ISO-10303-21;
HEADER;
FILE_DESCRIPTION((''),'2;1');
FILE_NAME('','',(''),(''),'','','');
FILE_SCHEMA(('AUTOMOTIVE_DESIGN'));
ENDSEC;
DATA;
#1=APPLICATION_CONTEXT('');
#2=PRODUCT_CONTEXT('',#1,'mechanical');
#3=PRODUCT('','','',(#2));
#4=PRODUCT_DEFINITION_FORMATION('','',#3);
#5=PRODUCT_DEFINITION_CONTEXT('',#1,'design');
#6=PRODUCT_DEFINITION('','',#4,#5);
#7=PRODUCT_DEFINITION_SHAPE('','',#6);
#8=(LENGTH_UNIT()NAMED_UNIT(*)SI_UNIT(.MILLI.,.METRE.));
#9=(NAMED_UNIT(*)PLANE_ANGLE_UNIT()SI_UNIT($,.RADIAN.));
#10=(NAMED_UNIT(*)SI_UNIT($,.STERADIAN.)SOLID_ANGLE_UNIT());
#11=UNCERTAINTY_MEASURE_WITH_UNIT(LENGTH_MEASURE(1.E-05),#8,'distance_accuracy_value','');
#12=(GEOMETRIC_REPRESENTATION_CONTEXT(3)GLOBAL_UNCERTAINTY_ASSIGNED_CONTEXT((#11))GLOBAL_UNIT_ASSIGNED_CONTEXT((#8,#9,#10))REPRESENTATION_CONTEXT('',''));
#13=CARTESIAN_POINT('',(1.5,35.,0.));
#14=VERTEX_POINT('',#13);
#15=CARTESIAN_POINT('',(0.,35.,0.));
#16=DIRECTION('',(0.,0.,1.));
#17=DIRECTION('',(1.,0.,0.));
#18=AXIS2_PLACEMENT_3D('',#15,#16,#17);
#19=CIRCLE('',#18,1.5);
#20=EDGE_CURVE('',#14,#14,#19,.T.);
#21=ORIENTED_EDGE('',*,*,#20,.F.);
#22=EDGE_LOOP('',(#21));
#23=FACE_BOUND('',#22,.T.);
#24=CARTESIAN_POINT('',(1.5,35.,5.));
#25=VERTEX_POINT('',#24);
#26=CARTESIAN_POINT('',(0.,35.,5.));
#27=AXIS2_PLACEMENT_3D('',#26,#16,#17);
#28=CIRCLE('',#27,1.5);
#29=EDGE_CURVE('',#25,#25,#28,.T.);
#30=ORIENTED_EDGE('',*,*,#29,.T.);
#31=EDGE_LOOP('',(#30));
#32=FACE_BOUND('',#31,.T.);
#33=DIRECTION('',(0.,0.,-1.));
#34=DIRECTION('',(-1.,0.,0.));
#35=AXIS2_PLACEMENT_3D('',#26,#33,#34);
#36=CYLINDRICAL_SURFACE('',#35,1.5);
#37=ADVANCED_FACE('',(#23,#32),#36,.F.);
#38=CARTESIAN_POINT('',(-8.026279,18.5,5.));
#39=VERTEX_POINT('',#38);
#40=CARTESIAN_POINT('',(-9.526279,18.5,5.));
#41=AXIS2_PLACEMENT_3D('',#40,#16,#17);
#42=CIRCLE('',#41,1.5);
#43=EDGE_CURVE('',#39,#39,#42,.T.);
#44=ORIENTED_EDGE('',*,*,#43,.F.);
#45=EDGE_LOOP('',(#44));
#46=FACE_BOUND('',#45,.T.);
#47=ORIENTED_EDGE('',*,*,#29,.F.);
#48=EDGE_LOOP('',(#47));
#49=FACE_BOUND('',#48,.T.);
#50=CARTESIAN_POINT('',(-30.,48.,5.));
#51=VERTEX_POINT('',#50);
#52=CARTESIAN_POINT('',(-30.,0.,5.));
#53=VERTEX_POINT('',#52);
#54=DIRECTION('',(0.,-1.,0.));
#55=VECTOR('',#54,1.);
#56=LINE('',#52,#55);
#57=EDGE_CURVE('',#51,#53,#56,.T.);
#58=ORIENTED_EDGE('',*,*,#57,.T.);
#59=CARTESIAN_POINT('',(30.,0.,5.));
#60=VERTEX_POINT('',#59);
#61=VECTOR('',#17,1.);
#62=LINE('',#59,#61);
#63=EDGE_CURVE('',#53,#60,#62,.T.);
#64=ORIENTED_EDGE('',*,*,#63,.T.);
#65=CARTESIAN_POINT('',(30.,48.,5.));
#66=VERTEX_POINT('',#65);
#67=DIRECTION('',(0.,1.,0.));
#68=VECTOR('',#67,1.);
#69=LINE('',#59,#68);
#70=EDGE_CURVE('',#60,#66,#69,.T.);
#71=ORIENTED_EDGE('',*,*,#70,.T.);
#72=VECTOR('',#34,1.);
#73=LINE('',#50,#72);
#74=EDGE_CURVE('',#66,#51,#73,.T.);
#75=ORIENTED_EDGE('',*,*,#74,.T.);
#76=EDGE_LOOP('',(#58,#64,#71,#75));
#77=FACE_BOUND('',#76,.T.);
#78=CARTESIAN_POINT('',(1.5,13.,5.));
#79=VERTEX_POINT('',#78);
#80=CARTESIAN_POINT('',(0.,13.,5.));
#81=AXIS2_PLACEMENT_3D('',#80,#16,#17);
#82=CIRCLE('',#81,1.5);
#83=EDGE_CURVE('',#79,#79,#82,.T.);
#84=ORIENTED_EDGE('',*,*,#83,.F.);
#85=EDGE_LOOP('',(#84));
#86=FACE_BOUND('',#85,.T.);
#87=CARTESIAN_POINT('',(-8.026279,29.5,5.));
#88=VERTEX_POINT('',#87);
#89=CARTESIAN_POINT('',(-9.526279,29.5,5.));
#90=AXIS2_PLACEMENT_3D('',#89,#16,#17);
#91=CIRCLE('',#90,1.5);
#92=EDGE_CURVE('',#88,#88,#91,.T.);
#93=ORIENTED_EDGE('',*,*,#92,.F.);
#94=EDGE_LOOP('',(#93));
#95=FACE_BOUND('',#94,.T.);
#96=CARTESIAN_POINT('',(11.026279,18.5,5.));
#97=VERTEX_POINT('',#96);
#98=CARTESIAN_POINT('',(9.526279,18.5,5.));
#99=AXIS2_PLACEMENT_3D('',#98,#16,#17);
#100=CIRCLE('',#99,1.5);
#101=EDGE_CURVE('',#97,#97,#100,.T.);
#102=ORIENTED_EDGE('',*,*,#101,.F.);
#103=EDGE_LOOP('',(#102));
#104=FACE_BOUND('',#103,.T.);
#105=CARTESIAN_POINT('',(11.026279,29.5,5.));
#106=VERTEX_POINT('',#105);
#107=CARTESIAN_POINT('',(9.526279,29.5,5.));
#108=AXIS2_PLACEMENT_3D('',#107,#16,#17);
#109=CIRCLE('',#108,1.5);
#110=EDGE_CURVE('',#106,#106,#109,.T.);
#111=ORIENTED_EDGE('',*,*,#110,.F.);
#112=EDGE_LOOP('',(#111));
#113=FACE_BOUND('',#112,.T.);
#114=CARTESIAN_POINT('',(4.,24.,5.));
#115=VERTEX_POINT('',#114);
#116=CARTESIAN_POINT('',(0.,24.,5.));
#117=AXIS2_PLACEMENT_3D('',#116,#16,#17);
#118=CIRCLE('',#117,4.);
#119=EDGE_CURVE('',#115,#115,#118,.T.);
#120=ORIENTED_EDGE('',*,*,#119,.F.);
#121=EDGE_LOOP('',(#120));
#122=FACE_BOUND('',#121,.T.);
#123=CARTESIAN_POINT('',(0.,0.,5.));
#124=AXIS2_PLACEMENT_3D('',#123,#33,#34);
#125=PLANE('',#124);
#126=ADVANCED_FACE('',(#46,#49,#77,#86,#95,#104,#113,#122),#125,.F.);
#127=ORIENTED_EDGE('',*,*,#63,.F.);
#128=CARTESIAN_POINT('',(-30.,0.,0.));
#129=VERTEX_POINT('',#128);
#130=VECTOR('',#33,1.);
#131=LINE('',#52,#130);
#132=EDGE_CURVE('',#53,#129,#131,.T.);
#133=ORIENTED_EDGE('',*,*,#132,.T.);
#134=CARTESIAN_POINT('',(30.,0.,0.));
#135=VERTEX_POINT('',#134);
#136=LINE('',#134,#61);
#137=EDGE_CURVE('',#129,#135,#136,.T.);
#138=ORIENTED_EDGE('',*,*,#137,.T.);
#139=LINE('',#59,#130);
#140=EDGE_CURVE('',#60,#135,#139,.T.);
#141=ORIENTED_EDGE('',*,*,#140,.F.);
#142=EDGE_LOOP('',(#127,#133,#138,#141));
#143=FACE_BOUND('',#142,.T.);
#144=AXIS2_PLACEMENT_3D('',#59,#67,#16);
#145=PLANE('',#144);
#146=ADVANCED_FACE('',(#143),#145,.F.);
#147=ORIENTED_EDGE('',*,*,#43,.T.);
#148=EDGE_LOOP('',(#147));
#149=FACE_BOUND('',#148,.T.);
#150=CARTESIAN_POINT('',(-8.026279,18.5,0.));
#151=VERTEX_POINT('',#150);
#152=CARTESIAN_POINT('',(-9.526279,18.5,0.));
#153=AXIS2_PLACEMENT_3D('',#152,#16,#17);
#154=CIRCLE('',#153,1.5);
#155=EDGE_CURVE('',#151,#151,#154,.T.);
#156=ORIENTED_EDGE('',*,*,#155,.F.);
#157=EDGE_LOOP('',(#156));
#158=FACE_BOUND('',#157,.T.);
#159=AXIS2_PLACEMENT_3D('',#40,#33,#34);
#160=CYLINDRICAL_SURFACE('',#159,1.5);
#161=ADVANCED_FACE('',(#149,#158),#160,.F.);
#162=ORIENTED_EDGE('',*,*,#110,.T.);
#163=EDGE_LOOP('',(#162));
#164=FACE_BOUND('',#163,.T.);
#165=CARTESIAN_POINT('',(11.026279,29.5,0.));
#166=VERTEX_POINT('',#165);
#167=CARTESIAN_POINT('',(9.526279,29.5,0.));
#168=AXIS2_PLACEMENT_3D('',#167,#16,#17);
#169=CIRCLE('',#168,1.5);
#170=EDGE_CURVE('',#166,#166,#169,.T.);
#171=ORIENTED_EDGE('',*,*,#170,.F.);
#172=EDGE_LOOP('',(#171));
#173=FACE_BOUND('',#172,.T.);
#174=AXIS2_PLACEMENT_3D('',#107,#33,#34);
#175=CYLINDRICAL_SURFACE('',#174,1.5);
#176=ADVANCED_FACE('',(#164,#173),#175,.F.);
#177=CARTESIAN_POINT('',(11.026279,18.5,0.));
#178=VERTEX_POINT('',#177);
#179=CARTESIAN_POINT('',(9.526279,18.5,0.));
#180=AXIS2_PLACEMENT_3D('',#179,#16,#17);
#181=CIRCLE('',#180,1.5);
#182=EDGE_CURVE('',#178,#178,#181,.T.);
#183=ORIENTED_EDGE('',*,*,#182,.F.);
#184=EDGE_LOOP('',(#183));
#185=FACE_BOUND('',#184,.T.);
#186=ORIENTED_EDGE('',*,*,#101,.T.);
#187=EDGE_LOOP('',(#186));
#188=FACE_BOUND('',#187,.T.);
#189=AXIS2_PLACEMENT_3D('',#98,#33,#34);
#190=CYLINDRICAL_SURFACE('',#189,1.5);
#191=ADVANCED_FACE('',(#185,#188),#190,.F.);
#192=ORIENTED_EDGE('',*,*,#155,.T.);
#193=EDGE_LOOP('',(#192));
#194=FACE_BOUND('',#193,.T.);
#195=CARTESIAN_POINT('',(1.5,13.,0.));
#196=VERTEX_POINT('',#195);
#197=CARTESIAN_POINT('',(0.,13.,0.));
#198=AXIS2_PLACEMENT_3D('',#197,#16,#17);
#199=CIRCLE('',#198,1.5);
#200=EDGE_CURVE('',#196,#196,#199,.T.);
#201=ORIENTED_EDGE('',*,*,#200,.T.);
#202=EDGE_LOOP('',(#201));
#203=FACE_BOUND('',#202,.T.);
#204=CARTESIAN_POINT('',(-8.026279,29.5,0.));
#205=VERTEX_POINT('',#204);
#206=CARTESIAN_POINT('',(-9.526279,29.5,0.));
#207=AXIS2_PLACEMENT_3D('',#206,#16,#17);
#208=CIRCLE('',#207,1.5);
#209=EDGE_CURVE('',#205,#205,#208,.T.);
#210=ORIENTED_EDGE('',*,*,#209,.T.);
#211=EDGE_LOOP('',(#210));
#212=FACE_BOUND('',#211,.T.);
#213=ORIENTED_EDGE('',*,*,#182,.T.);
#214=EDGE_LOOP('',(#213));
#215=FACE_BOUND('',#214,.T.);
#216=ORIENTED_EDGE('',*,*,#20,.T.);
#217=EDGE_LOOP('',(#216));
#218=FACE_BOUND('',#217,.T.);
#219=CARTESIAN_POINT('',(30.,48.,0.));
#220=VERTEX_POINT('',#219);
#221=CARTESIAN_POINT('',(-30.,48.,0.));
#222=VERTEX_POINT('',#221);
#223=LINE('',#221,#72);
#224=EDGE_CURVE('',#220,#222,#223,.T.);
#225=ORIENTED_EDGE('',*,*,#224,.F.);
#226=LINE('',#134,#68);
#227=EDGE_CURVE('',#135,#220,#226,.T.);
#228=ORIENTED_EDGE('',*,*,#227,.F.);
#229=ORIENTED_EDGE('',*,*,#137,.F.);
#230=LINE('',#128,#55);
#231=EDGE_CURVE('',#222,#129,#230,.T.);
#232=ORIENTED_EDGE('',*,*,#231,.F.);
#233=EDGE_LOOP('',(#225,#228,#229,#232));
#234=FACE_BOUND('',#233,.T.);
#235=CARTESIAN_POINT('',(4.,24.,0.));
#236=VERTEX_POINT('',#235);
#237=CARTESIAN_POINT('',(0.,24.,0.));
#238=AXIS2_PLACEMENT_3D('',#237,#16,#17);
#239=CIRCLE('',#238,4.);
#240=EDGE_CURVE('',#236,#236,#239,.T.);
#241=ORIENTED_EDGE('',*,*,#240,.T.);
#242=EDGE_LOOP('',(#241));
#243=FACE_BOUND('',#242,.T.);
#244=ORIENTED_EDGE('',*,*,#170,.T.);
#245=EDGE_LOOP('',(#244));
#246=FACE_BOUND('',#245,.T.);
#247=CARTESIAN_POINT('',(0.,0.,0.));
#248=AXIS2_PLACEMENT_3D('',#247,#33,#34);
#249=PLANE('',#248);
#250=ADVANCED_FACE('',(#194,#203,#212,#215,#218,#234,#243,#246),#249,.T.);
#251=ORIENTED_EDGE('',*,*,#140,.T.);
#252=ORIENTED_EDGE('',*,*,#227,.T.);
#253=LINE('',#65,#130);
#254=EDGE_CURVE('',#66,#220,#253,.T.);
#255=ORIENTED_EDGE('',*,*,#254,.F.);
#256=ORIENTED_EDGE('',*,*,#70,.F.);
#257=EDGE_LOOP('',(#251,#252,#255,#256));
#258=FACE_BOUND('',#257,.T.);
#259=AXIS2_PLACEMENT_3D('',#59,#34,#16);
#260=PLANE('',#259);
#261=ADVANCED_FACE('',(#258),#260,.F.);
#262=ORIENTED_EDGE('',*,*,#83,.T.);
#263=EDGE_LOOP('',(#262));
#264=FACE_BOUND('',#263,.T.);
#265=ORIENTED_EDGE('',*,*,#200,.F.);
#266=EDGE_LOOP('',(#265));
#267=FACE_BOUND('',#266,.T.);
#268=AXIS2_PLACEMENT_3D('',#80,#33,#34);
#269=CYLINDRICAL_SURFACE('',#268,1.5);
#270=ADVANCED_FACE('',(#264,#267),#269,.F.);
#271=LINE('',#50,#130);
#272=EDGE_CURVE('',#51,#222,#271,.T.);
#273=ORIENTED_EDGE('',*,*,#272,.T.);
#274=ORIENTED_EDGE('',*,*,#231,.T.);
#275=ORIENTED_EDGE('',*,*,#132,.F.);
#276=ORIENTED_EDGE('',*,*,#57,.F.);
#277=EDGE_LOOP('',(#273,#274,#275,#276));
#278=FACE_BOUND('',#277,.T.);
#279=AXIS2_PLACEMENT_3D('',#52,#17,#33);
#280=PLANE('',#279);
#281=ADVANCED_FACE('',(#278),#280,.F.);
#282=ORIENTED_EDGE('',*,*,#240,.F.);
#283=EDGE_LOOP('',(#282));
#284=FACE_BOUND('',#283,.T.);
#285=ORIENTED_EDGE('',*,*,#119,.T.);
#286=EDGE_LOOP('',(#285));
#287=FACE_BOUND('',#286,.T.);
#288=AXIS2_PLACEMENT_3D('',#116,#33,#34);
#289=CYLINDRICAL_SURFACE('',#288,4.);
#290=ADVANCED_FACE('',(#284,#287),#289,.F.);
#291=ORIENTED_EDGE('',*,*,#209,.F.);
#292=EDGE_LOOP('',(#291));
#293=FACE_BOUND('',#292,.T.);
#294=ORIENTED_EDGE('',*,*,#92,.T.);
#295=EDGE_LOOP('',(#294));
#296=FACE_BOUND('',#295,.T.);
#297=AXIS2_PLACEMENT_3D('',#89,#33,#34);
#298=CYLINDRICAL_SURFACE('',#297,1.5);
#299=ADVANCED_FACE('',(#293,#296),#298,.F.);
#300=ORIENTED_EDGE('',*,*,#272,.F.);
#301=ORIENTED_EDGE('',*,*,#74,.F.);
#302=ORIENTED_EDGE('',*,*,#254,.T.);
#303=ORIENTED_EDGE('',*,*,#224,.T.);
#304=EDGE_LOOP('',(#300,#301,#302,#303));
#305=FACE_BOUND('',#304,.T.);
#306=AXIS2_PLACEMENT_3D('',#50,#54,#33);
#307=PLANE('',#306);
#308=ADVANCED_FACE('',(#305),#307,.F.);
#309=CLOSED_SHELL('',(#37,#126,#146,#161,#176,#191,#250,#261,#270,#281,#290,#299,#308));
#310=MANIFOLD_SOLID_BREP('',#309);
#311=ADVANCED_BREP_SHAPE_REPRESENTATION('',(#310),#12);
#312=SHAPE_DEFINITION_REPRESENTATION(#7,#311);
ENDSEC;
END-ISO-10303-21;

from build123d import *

# Parameters (mm, degrees)
SKETCH1_W           = 60
SKETCH1_H           = 48
SKETCH1_R           = 1.5
SKETCH1_R_2         = 4
BOSS_EXTRUDE1_DEPTH = 5


with BuildPart() as part:
    # Sketch1 → Boss-Extrude1 (new body)
    with BuildSketch(Plane.XY):
        with Locations((0, 24)):
            Rectangle(SKETCH1_W, SKETCH1_H)
        with Locations((0, 35)):
            Circle(SKETCH1_R, mode=Mode.SUBTRACT)
        with Locations((9.526279442, 29.5)):
            Circle(SKETCH1_R, mode=Mode.SUBTRACT)
        with Locations((9.526279442, 18.5)):
            Circle(SKETCH1_R, mode=Mode.SUBTRACT)
        with Locations((0, 13)):
            Circle(SKETCH1_R, mode=Mode.SUBTRACT)
        with Locations((-9.526279442, 18.5)):
            Circle(SKETCH1_R, mode=Mode.SUBTRACT)
        with Locations((-9.526279442, 29.5)):
            Circle(SKETCH1_R, mode=Mode.SUBTRACT)
        with Locations((0, 24)):
            Circle(SKETCH1_R_2, mode=Mode.SUBTRACT)
    extrude(amount=BOSS_EXTRUDE1_DEPTH)


solid = part.part
